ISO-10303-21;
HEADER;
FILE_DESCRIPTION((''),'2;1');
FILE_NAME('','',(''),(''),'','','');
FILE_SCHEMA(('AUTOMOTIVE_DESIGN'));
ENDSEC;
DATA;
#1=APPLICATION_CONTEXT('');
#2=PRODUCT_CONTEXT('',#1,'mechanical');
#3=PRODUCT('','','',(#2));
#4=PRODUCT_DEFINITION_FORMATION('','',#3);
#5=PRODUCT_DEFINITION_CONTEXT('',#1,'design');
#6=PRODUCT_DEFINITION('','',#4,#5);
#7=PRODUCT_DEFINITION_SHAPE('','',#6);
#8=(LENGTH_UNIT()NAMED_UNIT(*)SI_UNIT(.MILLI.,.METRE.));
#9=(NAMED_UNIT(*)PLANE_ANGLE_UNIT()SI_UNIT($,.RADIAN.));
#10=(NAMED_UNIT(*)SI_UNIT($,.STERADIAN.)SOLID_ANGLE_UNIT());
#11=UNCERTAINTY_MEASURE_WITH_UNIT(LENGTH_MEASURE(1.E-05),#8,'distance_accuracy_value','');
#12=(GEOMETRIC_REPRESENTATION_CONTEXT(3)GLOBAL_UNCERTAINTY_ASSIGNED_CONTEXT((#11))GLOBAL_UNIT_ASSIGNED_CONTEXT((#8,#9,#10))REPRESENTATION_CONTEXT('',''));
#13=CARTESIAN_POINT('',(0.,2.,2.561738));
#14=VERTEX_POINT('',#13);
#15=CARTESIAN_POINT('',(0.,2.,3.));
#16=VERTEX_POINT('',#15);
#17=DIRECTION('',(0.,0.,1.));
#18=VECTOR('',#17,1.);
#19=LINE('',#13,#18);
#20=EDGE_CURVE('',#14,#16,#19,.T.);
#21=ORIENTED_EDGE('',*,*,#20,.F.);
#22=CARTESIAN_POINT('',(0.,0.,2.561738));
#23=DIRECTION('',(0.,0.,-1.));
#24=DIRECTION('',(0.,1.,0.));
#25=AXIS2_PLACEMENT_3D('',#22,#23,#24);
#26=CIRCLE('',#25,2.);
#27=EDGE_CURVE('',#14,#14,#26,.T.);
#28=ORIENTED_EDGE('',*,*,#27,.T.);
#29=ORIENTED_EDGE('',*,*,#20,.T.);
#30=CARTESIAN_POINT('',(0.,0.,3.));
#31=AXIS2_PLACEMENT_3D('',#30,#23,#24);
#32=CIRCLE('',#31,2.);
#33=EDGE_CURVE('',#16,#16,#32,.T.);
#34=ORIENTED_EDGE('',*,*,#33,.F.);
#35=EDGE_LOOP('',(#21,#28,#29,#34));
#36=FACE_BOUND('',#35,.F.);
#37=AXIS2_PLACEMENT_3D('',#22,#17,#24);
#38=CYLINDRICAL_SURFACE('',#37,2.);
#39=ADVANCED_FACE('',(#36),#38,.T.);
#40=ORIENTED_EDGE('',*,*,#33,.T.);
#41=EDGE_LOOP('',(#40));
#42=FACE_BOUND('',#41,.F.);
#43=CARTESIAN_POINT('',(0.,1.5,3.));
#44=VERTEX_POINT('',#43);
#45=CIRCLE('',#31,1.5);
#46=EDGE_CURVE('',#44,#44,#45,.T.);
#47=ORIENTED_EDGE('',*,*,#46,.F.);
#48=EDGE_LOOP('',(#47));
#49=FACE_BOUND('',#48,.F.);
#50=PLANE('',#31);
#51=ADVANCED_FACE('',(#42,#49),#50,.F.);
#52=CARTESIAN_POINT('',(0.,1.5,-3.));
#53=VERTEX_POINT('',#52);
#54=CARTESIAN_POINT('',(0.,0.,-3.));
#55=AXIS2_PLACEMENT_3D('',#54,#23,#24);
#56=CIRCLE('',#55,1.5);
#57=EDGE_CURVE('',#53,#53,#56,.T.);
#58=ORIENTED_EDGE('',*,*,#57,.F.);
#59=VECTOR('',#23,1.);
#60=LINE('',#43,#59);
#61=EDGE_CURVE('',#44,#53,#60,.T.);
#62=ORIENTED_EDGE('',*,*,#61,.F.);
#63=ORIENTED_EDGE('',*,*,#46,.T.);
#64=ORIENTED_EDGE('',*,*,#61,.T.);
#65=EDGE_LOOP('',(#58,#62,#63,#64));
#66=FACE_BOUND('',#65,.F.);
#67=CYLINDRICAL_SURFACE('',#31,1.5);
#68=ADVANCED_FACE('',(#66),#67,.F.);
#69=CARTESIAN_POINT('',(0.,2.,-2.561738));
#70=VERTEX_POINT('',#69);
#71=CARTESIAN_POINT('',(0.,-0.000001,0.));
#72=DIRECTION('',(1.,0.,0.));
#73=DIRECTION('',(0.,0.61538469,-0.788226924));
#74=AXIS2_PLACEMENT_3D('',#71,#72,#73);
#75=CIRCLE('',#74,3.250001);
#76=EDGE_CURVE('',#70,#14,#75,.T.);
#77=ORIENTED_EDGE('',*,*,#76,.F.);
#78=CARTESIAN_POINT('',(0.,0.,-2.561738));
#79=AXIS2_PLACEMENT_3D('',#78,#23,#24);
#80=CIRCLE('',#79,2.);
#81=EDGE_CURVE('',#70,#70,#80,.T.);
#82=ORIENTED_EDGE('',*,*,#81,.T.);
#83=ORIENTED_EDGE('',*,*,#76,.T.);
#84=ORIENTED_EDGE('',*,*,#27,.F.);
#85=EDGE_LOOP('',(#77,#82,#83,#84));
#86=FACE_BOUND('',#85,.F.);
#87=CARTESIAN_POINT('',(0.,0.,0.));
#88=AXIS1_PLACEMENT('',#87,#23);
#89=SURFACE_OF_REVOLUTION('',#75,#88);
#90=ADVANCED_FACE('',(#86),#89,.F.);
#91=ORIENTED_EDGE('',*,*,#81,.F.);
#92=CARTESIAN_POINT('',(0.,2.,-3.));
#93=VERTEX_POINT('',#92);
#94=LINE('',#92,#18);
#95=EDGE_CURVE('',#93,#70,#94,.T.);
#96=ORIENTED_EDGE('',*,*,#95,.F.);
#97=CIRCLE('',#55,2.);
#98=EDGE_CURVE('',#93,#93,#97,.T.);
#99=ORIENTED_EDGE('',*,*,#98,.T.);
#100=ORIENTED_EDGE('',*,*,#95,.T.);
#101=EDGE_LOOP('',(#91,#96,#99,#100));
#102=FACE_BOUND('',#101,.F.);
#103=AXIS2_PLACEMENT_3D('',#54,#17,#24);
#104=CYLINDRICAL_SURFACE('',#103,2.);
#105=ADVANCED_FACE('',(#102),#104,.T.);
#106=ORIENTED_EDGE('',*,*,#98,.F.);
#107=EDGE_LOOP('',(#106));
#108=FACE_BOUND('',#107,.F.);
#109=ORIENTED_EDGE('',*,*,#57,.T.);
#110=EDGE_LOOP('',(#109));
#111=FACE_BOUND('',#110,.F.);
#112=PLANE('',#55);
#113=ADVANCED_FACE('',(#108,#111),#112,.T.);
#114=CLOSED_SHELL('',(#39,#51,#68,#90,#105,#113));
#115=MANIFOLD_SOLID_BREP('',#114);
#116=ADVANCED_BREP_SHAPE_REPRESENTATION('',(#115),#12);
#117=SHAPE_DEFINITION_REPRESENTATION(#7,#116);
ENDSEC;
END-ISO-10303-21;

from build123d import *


with BuildPart() as f1:
    # F0 (on Right) → F1 (revolve)
    with BuildSketch(Plane.YZ):
        with BuildLine():
            Line((2, -3), (2, -2.561738))
            ThreePointArc((2, -2.561738), (3.25, 0), (2, 2.561738))
            Line((2, 2.561738), (2, 3))
            Line((2, 3), (1.5, 3))
            Line((1.5, 3), (1.5, -3))
            Line((1.5, -3), (2, -3))
        make_face()
    revolve(axis=Axis((0, 0, 0), (0, 0, -1)))


solid = f1.part
